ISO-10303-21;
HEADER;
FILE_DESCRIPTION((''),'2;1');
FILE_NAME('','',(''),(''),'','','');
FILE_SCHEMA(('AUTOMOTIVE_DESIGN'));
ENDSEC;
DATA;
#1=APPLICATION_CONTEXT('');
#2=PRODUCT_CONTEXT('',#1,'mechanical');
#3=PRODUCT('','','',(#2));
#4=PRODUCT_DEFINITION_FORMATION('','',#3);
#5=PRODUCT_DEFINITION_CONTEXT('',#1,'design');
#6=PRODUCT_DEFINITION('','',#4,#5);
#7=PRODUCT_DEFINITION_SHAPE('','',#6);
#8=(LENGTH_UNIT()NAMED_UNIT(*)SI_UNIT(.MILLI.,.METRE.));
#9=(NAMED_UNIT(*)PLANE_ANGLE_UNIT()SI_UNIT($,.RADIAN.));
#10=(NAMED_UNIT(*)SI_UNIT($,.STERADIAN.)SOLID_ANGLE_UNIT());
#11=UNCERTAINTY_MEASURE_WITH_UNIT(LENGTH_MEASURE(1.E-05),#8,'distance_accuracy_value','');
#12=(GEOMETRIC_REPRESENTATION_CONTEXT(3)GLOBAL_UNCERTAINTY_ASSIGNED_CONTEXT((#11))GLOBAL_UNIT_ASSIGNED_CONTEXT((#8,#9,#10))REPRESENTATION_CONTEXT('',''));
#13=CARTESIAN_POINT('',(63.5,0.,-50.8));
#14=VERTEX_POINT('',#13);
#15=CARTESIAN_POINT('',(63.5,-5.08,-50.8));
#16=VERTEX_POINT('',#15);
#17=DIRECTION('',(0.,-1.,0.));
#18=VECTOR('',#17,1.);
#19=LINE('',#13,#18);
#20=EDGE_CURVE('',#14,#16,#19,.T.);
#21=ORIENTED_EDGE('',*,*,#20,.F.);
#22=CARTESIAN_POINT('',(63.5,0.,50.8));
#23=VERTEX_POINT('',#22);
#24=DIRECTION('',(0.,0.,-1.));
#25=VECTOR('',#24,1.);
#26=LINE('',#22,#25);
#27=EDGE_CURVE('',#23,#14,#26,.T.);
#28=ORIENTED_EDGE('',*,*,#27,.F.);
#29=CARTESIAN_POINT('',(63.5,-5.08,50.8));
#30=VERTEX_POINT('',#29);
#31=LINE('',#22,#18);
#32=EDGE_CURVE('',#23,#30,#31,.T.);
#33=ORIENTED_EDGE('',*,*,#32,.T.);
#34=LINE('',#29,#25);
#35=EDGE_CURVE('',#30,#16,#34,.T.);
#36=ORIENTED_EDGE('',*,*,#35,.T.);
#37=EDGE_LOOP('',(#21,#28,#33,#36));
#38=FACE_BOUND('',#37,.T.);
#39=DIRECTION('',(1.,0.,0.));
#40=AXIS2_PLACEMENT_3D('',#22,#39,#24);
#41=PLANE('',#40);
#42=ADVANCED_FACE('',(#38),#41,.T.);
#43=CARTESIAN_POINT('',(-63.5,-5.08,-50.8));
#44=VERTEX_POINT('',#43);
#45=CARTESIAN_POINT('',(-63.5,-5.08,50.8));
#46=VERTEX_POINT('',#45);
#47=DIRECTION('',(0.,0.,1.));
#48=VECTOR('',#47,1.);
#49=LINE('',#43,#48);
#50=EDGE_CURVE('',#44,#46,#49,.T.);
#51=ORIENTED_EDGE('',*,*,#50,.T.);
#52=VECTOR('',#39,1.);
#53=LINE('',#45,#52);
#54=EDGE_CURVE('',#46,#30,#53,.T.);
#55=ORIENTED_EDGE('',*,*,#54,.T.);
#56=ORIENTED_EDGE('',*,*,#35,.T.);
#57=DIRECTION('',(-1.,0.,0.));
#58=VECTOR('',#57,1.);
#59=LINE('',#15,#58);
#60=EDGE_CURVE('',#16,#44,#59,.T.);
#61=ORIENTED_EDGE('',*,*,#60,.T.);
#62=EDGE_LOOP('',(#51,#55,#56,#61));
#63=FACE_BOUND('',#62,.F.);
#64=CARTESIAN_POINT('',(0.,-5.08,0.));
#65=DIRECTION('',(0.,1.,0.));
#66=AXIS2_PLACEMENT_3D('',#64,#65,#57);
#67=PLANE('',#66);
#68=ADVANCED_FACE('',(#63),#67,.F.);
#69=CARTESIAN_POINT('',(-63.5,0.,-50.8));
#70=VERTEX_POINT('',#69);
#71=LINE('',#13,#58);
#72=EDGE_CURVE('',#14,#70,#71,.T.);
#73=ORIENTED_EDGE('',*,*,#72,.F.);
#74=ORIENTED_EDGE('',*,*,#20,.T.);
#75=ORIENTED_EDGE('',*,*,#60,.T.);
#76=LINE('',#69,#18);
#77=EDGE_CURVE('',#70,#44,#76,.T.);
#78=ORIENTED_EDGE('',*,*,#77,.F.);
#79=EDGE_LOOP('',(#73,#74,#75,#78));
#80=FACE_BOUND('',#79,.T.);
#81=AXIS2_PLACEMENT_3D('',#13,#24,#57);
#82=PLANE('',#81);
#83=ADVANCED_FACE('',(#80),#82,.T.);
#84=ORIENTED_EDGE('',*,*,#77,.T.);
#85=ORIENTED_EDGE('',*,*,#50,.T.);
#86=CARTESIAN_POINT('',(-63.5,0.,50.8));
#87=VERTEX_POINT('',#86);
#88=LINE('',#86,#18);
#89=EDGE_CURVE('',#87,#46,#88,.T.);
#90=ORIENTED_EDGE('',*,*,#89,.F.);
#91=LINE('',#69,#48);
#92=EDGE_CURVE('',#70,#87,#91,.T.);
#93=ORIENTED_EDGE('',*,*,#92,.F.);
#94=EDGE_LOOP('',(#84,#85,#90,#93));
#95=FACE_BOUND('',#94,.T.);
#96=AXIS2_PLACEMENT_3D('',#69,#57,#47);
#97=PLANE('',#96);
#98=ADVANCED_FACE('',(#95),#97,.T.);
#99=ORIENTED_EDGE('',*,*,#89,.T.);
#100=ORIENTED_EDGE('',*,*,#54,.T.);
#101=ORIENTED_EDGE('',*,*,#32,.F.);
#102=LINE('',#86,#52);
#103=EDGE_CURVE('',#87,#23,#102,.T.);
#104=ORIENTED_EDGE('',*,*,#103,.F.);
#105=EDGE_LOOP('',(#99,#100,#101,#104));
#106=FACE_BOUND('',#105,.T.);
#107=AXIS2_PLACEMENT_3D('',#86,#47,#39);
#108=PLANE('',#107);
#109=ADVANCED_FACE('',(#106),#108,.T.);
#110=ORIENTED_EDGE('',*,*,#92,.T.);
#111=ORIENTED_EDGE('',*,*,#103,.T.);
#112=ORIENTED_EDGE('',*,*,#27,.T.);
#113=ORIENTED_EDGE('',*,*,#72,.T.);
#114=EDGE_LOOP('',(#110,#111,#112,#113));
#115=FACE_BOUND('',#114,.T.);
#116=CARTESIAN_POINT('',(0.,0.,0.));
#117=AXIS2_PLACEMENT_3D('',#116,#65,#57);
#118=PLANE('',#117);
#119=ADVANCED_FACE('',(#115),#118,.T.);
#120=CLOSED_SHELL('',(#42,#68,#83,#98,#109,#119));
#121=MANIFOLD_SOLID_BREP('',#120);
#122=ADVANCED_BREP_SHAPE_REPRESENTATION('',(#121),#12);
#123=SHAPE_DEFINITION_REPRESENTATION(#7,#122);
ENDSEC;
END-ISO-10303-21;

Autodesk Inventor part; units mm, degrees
ref_plane "YZ Plane" through (0, 0, 0) normal (1, 0, 0) x (0, 1, 0)
ref_plane "XZ Plane" through (0, 0, 0) normal (0, 1, 0) x (-1, 0, 0)
ref_plane "XY Plane" through (0, 0, 0) normal (0, 0, 1) x (1, 0, 0)
sketch "Sketch1" plane through (0, 0, 0) normal (0, 1, 0) x (-1, 0, 0)
  line L0 (63.5, 50.8) -> (-63.5, 50.8)
  line L1 (-63.5, 50.8) -> (-63.5, -50.8)
  line L2 (-63.5, -50.8) -> (63.5, -50.8)
  line L3 (63.5, -50.8) -> (63.5, 50.8)
  line L4 (63.5, 50.8) -> (-63.5, -50.8) construction
  line L5 (-63.5, 50.8) -> (63.5, -50.8) construction
  point P0 (0, 0)
  dimension "d0" = 127
  dimension "d1" = 101.6
extrude "Extrusion1" add sketch "Sketch1" against normal blind 5.08
sketch "Sketch22" plane through (0, -5.08, 0) normal (0, -1, 0) x (1, 0, 0)
  point P0 (34.92, -17.42)
  point P1 (34.92, 17.42)
  point P2 (-34.92, 17.42)
  point P3 (-34.92, -17.42)
equation "\"d0\" = LargeCaseLength"
equation "\"d1\" = LargeCaseWidth"
equation "\"d2\" = CaseFloorThickness"
equation "\"PiZeroWLength\" = 65"
equation "\"PiZeroWWidth\" = 30"
equation "\"CaseLength\" = PiZeroWLength + 2 * EndOfCaseToStartOfPiZero"
equation "\"CaseWidth\" = PiZeroWWidth + 2 * EndOfCaseToStartOfPiZero"
equation "\"PiZeroWMountingHole\" = 2.75"
equation "\"CaseWallThickness\" = 1.27"
equation "\"CaseFloorThickness\" = 5.08"
equation "\"PiZeroMoutingHolesLength\" = 58"
equation "\"PiZeroMountingHolesWidth\" = 23"
equation "\"PiZeroHoleSupport\" = 6"
equation "\"PiZeroWHoleHeight\" = 2.54"
equation "\"PiRibbonCableWidth\" = 20"
equation "\"PiRibbonCableThickness\" = 5"
equation "\"HdmiCenter\" = 19"
equation "\"MiniUsbCenter\" = 41.4"
equation "\"PowerCenter\" = 54"
equation "\"HdmiWidth\" = 28"
equation "\"MiniUsbWidth\" = 18"
equation "\"PowerWidth\" = 20"
equation "\"EndOfCaseToStartOfPiZero\" = 7.5"
equation "\"EyepieceOutsideDiameter\" = 31.75"
equation "\"EyepieceWallThickness\" = 1.905"
equation "\"EyepieceInnerDiameter\" = EyepieceOutsideDiameter - 2 * EyepieceWallThickness"
equation "\"HeightOfConnectorHolesAboveBottom\" = 6"
equation "\"HdmiHightAboveBottom\" = 6"
equation "\"MiniUsbHeightAboveBottom\" = 5"
equation "\"PowerHeightAboveBottom\" = 5"
equation "\"PiRibbonCableHeightFromTp\" = 8.89"
equation "\"NutHeightPlusOffset\" = 1.8415"
equation "\"NutWidthPlusOffset\" = 5.0165"
equation "\"LargeCaseWidth\" = 101.6"
equation "\"LargeCaseLength\" = 127"
properties part number "LargeCaseCaseTopForPiZeroWV02" material "LCP Plastic"
